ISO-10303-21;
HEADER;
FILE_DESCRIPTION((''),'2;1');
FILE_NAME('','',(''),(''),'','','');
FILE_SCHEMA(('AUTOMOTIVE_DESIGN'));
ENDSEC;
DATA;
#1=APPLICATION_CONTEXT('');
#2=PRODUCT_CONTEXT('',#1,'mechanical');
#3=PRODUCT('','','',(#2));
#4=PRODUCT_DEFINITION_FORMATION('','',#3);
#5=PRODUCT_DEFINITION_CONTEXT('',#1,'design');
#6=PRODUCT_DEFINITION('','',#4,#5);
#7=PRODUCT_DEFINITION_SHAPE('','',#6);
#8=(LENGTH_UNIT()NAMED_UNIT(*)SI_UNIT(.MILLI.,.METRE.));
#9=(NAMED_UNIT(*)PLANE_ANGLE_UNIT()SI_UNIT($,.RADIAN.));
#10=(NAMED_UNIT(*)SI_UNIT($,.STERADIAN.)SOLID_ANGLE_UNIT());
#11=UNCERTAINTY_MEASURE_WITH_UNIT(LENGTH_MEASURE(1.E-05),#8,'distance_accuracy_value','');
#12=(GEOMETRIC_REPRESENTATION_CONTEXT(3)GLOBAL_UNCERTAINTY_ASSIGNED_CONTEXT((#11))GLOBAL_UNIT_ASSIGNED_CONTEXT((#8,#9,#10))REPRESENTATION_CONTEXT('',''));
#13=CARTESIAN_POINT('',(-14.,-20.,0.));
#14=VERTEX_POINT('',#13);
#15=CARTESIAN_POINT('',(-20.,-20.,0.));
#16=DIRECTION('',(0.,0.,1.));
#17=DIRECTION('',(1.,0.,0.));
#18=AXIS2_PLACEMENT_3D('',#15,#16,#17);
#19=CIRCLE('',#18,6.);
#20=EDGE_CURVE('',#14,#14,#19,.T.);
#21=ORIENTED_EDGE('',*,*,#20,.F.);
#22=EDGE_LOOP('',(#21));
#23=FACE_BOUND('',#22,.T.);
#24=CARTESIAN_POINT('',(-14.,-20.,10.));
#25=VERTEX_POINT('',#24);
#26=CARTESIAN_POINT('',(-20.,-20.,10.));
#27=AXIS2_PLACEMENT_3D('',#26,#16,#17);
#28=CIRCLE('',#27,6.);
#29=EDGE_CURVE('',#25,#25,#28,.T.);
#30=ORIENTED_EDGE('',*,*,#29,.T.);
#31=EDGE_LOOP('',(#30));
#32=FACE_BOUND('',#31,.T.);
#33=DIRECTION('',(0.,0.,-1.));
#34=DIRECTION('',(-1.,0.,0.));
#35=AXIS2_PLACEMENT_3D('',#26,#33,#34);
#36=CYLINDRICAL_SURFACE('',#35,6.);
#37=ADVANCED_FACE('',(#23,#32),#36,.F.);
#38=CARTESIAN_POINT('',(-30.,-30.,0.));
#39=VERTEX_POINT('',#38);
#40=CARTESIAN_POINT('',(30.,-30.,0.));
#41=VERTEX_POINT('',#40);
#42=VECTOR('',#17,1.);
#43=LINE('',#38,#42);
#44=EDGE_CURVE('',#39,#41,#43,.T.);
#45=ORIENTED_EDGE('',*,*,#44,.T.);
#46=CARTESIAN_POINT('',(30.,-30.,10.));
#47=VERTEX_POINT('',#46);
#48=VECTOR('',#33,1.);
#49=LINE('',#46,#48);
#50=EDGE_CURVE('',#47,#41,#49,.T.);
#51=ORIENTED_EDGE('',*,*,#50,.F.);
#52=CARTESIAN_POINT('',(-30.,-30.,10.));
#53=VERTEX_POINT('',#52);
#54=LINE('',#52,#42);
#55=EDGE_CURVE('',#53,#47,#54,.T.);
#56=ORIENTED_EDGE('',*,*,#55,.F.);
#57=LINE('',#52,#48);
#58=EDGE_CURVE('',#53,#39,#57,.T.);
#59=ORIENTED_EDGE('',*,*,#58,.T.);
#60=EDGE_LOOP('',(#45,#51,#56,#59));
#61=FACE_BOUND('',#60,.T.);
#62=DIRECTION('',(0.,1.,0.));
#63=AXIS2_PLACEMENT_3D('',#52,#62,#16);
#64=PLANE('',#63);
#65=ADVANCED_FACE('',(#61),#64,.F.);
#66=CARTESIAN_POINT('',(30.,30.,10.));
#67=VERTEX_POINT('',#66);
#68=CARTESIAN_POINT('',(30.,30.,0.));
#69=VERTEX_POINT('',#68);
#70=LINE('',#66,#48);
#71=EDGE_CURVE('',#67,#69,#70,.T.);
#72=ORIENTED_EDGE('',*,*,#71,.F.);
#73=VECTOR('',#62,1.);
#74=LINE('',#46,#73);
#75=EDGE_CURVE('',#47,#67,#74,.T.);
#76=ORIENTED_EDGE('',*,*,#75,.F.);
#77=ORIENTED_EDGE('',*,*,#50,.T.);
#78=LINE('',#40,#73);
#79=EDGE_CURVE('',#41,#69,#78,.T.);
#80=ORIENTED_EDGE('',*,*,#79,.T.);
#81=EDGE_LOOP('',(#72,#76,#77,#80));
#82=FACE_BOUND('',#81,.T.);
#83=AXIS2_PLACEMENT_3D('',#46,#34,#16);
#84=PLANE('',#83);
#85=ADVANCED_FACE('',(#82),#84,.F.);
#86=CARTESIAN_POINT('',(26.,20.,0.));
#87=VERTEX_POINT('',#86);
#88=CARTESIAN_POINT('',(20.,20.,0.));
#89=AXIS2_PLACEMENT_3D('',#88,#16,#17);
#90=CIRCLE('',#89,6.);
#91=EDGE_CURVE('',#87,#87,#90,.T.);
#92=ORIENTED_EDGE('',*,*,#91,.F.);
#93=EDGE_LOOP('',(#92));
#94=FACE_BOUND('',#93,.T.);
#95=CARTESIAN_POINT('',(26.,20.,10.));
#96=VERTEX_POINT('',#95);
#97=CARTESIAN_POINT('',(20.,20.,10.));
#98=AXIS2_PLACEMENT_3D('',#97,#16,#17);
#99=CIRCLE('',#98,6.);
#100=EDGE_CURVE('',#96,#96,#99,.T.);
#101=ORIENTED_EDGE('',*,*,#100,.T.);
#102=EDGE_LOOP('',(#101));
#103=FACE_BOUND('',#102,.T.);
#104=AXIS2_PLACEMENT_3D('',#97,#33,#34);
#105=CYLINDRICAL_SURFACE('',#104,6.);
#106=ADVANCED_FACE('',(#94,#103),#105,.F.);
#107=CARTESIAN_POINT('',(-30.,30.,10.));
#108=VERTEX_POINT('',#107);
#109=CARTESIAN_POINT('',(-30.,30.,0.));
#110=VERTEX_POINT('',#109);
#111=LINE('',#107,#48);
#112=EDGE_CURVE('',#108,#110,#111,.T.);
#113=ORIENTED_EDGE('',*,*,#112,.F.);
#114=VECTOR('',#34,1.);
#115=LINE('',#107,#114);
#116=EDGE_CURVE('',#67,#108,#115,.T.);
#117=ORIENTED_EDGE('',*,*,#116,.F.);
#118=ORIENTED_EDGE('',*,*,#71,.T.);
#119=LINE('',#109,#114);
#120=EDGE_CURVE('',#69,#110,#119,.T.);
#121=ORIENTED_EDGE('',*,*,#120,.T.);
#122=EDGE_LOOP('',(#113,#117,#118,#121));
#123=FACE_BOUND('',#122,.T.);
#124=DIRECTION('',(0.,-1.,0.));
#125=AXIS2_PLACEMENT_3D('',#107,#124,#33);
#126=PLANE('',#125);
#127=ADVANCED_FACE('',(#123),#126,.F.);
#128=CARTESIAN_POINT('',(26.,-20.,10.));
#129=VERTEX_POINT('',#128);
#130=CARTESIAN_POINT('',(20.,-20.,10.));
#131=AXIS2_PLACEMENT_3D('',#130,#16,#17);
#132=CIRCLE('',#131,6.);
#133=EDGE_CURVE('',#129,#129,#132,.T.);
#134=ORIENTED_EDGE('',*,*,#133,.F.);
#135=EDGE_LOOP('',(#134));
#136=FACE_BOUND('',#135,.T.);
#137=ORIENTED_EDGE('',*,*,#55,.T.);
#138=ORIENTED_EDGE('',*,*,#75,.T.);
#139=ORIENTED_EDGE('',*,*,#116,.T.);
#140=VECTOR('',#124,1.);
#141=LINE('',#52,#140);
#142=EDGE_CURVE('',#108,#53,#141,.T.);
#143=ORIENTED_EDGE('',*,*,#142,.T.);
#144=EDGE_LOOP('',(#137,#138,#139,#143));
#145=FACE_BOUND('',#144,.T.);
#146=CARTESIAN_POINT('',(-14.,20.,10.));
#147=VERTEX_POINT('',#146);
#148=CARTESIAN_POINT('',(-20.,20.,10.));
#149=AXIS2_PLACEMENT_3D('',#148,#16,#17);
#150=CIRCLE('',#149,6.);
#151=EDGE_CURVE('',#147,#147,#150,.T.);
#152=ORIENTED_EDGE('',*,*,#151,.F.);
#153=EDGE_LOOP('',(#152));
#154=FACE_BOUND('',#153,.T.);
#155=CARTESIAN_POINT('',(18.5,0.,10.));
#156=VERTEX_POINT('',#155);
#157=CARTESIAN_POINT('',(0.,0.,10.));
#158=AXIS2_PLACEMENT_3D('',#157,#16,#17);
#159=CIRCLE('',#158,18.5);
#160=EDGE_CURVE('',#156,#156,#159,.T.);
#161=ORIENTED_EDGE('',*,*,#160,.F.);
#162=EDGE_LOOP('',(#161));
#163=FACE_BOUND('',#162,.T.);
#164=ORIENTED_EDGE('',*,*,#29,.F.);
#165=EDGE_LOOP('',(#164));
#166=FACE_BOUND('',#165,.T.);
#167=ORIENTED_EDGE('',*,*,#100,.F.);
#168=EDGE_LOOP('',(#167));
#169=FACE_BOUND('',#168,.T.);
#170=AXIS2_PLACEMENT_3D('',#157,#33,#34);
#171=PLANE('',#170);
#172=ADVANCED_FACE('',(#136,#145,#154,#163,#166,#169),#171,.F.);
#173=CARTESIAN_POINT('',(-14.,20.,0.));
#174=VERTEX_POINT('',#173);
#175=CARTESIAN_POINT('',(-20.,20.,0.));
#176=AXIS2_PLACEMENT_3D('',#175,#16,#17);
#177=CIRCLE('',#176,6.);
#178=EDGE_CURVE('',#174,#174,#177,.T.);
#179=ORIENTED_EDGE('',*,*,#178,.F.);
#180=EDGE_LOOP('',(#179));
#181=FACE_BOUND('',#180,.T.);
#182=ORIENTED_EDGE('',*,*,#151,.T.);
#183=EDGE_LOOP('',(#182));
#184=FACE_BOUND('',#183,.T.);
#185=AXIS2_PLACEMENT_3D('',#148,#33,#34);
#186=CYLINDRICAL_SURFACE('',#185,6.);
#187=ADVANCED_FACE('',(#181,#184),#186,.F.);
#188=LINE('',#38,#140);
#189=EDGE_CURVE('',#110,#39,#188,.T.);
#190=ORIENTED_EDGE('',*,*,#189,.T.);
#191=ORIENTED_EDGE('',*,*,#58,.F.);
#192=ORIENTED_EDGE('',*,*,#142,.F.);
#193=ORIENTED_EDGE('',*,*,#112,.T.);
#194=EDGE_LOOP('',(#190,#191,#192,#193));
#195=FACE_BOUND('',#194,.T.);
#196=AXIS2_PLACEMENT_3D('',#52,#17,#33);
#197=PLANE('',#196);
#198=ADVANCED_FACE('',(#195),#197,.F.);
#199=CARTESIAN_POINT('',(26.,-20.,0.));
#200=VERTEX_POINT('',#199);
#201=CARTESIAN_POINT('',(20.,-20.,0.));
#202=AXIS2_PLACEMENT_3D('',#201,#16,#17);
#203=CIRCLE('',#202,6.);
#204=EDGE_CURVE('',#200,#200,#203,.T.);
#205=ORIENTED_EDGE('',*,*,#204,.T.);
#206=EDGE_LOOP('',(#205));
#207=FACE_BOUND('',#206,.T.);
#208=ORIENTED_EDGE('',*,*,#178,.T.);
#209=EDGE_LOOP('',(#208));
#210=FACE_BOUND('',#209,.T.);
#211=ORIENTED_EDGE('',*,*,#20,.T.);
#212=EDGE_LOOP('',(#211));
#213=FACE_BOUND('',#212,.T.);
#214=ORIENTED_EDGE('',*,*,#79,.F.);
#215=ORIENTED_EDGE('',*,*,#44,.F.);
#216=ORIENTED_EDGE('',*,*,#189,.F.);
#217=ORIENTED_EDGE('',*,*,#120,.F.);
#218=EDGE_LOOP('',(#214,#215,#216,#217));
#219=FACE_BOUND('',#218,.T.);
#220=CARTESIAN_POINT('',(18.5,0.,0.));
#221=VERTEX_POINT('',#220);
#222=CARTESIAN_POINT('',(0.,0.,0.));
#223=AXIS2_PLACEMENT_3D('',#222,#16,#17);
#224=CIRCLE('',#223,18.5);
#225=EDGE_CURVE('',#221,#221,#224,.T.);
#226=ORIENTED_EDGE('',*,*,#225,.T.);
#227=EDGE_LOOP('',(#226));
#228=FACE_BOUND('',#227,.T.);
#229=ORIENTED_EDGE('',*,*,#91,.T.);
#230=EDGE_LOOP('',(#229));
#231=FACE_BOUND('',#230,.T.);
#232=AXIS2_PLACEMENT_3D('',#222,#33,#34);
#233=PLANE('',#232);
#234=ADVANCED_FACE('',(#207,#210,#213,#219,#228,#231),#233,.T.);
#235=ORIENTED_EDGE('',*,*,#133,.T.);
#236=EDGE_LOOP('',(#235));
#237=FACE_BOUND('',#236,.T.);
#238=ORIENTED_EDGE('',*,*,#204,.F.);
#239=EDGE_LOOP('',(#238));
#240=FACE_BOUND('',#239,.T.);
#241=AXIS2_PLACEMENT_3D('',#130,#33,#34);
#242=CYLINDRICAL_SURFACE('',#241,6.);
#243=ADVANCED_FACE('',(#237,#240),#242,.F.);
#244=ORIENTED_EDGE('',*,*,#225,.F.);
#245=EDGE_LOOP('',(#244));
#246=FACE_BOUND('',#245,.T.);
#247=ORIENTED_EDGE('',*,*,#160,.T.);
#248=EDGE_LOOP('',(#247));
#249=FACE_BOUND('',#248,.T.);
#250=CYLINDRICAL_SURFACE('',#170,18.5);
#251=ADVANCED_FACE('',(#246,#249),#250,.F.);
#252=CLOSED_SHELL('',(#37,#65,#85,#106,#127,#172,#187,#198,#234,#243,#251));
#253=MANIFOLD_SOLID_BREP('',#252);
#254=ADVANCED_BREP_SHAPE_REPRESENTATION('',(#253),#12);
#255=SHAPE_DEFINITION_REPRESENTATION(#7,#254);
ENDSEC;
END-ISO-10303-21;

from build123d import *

# Parameters (mm, degrees)
IZIM1_W                     = 60
IZIM1_H                     = 60
IZIM1_R                     = 18.5
IZIM1_R_2                   = 6
Y_KSEKLIK_EKSTR_ZYON1_DEPTH = 10


with BuildPart() as part:
    # Çizim1 → Yükseklik-Ekstrüzyon1 (new body)
    with BuildSketch(Plane.XY):
        Rectangle(IZIM1_W, IZIM1_H)
        Circle(IZIM1_R, mode=Mode.SUBTRACT)
        with Locations((20, 20)):
            Circle(IZIM1_R_2, mode=Mode.SUBTRACT)
        with Locations((-20, 20)):
            Circle(IZIM1_R_2, mode=Mode.SUBTRACT)
        with Locations((20, -20)):
            Circle(IZIM1_R_2, mode=Mode.SUBTRACT)
        with Locations((-20, -20)):
            Circle(IZIM1_R_2, mode=Mode.SUBTRACT)
    extrude(amount=Y_KSEKLIK_EKSTR_ZYON1_DEPTH)


solid = part.part
